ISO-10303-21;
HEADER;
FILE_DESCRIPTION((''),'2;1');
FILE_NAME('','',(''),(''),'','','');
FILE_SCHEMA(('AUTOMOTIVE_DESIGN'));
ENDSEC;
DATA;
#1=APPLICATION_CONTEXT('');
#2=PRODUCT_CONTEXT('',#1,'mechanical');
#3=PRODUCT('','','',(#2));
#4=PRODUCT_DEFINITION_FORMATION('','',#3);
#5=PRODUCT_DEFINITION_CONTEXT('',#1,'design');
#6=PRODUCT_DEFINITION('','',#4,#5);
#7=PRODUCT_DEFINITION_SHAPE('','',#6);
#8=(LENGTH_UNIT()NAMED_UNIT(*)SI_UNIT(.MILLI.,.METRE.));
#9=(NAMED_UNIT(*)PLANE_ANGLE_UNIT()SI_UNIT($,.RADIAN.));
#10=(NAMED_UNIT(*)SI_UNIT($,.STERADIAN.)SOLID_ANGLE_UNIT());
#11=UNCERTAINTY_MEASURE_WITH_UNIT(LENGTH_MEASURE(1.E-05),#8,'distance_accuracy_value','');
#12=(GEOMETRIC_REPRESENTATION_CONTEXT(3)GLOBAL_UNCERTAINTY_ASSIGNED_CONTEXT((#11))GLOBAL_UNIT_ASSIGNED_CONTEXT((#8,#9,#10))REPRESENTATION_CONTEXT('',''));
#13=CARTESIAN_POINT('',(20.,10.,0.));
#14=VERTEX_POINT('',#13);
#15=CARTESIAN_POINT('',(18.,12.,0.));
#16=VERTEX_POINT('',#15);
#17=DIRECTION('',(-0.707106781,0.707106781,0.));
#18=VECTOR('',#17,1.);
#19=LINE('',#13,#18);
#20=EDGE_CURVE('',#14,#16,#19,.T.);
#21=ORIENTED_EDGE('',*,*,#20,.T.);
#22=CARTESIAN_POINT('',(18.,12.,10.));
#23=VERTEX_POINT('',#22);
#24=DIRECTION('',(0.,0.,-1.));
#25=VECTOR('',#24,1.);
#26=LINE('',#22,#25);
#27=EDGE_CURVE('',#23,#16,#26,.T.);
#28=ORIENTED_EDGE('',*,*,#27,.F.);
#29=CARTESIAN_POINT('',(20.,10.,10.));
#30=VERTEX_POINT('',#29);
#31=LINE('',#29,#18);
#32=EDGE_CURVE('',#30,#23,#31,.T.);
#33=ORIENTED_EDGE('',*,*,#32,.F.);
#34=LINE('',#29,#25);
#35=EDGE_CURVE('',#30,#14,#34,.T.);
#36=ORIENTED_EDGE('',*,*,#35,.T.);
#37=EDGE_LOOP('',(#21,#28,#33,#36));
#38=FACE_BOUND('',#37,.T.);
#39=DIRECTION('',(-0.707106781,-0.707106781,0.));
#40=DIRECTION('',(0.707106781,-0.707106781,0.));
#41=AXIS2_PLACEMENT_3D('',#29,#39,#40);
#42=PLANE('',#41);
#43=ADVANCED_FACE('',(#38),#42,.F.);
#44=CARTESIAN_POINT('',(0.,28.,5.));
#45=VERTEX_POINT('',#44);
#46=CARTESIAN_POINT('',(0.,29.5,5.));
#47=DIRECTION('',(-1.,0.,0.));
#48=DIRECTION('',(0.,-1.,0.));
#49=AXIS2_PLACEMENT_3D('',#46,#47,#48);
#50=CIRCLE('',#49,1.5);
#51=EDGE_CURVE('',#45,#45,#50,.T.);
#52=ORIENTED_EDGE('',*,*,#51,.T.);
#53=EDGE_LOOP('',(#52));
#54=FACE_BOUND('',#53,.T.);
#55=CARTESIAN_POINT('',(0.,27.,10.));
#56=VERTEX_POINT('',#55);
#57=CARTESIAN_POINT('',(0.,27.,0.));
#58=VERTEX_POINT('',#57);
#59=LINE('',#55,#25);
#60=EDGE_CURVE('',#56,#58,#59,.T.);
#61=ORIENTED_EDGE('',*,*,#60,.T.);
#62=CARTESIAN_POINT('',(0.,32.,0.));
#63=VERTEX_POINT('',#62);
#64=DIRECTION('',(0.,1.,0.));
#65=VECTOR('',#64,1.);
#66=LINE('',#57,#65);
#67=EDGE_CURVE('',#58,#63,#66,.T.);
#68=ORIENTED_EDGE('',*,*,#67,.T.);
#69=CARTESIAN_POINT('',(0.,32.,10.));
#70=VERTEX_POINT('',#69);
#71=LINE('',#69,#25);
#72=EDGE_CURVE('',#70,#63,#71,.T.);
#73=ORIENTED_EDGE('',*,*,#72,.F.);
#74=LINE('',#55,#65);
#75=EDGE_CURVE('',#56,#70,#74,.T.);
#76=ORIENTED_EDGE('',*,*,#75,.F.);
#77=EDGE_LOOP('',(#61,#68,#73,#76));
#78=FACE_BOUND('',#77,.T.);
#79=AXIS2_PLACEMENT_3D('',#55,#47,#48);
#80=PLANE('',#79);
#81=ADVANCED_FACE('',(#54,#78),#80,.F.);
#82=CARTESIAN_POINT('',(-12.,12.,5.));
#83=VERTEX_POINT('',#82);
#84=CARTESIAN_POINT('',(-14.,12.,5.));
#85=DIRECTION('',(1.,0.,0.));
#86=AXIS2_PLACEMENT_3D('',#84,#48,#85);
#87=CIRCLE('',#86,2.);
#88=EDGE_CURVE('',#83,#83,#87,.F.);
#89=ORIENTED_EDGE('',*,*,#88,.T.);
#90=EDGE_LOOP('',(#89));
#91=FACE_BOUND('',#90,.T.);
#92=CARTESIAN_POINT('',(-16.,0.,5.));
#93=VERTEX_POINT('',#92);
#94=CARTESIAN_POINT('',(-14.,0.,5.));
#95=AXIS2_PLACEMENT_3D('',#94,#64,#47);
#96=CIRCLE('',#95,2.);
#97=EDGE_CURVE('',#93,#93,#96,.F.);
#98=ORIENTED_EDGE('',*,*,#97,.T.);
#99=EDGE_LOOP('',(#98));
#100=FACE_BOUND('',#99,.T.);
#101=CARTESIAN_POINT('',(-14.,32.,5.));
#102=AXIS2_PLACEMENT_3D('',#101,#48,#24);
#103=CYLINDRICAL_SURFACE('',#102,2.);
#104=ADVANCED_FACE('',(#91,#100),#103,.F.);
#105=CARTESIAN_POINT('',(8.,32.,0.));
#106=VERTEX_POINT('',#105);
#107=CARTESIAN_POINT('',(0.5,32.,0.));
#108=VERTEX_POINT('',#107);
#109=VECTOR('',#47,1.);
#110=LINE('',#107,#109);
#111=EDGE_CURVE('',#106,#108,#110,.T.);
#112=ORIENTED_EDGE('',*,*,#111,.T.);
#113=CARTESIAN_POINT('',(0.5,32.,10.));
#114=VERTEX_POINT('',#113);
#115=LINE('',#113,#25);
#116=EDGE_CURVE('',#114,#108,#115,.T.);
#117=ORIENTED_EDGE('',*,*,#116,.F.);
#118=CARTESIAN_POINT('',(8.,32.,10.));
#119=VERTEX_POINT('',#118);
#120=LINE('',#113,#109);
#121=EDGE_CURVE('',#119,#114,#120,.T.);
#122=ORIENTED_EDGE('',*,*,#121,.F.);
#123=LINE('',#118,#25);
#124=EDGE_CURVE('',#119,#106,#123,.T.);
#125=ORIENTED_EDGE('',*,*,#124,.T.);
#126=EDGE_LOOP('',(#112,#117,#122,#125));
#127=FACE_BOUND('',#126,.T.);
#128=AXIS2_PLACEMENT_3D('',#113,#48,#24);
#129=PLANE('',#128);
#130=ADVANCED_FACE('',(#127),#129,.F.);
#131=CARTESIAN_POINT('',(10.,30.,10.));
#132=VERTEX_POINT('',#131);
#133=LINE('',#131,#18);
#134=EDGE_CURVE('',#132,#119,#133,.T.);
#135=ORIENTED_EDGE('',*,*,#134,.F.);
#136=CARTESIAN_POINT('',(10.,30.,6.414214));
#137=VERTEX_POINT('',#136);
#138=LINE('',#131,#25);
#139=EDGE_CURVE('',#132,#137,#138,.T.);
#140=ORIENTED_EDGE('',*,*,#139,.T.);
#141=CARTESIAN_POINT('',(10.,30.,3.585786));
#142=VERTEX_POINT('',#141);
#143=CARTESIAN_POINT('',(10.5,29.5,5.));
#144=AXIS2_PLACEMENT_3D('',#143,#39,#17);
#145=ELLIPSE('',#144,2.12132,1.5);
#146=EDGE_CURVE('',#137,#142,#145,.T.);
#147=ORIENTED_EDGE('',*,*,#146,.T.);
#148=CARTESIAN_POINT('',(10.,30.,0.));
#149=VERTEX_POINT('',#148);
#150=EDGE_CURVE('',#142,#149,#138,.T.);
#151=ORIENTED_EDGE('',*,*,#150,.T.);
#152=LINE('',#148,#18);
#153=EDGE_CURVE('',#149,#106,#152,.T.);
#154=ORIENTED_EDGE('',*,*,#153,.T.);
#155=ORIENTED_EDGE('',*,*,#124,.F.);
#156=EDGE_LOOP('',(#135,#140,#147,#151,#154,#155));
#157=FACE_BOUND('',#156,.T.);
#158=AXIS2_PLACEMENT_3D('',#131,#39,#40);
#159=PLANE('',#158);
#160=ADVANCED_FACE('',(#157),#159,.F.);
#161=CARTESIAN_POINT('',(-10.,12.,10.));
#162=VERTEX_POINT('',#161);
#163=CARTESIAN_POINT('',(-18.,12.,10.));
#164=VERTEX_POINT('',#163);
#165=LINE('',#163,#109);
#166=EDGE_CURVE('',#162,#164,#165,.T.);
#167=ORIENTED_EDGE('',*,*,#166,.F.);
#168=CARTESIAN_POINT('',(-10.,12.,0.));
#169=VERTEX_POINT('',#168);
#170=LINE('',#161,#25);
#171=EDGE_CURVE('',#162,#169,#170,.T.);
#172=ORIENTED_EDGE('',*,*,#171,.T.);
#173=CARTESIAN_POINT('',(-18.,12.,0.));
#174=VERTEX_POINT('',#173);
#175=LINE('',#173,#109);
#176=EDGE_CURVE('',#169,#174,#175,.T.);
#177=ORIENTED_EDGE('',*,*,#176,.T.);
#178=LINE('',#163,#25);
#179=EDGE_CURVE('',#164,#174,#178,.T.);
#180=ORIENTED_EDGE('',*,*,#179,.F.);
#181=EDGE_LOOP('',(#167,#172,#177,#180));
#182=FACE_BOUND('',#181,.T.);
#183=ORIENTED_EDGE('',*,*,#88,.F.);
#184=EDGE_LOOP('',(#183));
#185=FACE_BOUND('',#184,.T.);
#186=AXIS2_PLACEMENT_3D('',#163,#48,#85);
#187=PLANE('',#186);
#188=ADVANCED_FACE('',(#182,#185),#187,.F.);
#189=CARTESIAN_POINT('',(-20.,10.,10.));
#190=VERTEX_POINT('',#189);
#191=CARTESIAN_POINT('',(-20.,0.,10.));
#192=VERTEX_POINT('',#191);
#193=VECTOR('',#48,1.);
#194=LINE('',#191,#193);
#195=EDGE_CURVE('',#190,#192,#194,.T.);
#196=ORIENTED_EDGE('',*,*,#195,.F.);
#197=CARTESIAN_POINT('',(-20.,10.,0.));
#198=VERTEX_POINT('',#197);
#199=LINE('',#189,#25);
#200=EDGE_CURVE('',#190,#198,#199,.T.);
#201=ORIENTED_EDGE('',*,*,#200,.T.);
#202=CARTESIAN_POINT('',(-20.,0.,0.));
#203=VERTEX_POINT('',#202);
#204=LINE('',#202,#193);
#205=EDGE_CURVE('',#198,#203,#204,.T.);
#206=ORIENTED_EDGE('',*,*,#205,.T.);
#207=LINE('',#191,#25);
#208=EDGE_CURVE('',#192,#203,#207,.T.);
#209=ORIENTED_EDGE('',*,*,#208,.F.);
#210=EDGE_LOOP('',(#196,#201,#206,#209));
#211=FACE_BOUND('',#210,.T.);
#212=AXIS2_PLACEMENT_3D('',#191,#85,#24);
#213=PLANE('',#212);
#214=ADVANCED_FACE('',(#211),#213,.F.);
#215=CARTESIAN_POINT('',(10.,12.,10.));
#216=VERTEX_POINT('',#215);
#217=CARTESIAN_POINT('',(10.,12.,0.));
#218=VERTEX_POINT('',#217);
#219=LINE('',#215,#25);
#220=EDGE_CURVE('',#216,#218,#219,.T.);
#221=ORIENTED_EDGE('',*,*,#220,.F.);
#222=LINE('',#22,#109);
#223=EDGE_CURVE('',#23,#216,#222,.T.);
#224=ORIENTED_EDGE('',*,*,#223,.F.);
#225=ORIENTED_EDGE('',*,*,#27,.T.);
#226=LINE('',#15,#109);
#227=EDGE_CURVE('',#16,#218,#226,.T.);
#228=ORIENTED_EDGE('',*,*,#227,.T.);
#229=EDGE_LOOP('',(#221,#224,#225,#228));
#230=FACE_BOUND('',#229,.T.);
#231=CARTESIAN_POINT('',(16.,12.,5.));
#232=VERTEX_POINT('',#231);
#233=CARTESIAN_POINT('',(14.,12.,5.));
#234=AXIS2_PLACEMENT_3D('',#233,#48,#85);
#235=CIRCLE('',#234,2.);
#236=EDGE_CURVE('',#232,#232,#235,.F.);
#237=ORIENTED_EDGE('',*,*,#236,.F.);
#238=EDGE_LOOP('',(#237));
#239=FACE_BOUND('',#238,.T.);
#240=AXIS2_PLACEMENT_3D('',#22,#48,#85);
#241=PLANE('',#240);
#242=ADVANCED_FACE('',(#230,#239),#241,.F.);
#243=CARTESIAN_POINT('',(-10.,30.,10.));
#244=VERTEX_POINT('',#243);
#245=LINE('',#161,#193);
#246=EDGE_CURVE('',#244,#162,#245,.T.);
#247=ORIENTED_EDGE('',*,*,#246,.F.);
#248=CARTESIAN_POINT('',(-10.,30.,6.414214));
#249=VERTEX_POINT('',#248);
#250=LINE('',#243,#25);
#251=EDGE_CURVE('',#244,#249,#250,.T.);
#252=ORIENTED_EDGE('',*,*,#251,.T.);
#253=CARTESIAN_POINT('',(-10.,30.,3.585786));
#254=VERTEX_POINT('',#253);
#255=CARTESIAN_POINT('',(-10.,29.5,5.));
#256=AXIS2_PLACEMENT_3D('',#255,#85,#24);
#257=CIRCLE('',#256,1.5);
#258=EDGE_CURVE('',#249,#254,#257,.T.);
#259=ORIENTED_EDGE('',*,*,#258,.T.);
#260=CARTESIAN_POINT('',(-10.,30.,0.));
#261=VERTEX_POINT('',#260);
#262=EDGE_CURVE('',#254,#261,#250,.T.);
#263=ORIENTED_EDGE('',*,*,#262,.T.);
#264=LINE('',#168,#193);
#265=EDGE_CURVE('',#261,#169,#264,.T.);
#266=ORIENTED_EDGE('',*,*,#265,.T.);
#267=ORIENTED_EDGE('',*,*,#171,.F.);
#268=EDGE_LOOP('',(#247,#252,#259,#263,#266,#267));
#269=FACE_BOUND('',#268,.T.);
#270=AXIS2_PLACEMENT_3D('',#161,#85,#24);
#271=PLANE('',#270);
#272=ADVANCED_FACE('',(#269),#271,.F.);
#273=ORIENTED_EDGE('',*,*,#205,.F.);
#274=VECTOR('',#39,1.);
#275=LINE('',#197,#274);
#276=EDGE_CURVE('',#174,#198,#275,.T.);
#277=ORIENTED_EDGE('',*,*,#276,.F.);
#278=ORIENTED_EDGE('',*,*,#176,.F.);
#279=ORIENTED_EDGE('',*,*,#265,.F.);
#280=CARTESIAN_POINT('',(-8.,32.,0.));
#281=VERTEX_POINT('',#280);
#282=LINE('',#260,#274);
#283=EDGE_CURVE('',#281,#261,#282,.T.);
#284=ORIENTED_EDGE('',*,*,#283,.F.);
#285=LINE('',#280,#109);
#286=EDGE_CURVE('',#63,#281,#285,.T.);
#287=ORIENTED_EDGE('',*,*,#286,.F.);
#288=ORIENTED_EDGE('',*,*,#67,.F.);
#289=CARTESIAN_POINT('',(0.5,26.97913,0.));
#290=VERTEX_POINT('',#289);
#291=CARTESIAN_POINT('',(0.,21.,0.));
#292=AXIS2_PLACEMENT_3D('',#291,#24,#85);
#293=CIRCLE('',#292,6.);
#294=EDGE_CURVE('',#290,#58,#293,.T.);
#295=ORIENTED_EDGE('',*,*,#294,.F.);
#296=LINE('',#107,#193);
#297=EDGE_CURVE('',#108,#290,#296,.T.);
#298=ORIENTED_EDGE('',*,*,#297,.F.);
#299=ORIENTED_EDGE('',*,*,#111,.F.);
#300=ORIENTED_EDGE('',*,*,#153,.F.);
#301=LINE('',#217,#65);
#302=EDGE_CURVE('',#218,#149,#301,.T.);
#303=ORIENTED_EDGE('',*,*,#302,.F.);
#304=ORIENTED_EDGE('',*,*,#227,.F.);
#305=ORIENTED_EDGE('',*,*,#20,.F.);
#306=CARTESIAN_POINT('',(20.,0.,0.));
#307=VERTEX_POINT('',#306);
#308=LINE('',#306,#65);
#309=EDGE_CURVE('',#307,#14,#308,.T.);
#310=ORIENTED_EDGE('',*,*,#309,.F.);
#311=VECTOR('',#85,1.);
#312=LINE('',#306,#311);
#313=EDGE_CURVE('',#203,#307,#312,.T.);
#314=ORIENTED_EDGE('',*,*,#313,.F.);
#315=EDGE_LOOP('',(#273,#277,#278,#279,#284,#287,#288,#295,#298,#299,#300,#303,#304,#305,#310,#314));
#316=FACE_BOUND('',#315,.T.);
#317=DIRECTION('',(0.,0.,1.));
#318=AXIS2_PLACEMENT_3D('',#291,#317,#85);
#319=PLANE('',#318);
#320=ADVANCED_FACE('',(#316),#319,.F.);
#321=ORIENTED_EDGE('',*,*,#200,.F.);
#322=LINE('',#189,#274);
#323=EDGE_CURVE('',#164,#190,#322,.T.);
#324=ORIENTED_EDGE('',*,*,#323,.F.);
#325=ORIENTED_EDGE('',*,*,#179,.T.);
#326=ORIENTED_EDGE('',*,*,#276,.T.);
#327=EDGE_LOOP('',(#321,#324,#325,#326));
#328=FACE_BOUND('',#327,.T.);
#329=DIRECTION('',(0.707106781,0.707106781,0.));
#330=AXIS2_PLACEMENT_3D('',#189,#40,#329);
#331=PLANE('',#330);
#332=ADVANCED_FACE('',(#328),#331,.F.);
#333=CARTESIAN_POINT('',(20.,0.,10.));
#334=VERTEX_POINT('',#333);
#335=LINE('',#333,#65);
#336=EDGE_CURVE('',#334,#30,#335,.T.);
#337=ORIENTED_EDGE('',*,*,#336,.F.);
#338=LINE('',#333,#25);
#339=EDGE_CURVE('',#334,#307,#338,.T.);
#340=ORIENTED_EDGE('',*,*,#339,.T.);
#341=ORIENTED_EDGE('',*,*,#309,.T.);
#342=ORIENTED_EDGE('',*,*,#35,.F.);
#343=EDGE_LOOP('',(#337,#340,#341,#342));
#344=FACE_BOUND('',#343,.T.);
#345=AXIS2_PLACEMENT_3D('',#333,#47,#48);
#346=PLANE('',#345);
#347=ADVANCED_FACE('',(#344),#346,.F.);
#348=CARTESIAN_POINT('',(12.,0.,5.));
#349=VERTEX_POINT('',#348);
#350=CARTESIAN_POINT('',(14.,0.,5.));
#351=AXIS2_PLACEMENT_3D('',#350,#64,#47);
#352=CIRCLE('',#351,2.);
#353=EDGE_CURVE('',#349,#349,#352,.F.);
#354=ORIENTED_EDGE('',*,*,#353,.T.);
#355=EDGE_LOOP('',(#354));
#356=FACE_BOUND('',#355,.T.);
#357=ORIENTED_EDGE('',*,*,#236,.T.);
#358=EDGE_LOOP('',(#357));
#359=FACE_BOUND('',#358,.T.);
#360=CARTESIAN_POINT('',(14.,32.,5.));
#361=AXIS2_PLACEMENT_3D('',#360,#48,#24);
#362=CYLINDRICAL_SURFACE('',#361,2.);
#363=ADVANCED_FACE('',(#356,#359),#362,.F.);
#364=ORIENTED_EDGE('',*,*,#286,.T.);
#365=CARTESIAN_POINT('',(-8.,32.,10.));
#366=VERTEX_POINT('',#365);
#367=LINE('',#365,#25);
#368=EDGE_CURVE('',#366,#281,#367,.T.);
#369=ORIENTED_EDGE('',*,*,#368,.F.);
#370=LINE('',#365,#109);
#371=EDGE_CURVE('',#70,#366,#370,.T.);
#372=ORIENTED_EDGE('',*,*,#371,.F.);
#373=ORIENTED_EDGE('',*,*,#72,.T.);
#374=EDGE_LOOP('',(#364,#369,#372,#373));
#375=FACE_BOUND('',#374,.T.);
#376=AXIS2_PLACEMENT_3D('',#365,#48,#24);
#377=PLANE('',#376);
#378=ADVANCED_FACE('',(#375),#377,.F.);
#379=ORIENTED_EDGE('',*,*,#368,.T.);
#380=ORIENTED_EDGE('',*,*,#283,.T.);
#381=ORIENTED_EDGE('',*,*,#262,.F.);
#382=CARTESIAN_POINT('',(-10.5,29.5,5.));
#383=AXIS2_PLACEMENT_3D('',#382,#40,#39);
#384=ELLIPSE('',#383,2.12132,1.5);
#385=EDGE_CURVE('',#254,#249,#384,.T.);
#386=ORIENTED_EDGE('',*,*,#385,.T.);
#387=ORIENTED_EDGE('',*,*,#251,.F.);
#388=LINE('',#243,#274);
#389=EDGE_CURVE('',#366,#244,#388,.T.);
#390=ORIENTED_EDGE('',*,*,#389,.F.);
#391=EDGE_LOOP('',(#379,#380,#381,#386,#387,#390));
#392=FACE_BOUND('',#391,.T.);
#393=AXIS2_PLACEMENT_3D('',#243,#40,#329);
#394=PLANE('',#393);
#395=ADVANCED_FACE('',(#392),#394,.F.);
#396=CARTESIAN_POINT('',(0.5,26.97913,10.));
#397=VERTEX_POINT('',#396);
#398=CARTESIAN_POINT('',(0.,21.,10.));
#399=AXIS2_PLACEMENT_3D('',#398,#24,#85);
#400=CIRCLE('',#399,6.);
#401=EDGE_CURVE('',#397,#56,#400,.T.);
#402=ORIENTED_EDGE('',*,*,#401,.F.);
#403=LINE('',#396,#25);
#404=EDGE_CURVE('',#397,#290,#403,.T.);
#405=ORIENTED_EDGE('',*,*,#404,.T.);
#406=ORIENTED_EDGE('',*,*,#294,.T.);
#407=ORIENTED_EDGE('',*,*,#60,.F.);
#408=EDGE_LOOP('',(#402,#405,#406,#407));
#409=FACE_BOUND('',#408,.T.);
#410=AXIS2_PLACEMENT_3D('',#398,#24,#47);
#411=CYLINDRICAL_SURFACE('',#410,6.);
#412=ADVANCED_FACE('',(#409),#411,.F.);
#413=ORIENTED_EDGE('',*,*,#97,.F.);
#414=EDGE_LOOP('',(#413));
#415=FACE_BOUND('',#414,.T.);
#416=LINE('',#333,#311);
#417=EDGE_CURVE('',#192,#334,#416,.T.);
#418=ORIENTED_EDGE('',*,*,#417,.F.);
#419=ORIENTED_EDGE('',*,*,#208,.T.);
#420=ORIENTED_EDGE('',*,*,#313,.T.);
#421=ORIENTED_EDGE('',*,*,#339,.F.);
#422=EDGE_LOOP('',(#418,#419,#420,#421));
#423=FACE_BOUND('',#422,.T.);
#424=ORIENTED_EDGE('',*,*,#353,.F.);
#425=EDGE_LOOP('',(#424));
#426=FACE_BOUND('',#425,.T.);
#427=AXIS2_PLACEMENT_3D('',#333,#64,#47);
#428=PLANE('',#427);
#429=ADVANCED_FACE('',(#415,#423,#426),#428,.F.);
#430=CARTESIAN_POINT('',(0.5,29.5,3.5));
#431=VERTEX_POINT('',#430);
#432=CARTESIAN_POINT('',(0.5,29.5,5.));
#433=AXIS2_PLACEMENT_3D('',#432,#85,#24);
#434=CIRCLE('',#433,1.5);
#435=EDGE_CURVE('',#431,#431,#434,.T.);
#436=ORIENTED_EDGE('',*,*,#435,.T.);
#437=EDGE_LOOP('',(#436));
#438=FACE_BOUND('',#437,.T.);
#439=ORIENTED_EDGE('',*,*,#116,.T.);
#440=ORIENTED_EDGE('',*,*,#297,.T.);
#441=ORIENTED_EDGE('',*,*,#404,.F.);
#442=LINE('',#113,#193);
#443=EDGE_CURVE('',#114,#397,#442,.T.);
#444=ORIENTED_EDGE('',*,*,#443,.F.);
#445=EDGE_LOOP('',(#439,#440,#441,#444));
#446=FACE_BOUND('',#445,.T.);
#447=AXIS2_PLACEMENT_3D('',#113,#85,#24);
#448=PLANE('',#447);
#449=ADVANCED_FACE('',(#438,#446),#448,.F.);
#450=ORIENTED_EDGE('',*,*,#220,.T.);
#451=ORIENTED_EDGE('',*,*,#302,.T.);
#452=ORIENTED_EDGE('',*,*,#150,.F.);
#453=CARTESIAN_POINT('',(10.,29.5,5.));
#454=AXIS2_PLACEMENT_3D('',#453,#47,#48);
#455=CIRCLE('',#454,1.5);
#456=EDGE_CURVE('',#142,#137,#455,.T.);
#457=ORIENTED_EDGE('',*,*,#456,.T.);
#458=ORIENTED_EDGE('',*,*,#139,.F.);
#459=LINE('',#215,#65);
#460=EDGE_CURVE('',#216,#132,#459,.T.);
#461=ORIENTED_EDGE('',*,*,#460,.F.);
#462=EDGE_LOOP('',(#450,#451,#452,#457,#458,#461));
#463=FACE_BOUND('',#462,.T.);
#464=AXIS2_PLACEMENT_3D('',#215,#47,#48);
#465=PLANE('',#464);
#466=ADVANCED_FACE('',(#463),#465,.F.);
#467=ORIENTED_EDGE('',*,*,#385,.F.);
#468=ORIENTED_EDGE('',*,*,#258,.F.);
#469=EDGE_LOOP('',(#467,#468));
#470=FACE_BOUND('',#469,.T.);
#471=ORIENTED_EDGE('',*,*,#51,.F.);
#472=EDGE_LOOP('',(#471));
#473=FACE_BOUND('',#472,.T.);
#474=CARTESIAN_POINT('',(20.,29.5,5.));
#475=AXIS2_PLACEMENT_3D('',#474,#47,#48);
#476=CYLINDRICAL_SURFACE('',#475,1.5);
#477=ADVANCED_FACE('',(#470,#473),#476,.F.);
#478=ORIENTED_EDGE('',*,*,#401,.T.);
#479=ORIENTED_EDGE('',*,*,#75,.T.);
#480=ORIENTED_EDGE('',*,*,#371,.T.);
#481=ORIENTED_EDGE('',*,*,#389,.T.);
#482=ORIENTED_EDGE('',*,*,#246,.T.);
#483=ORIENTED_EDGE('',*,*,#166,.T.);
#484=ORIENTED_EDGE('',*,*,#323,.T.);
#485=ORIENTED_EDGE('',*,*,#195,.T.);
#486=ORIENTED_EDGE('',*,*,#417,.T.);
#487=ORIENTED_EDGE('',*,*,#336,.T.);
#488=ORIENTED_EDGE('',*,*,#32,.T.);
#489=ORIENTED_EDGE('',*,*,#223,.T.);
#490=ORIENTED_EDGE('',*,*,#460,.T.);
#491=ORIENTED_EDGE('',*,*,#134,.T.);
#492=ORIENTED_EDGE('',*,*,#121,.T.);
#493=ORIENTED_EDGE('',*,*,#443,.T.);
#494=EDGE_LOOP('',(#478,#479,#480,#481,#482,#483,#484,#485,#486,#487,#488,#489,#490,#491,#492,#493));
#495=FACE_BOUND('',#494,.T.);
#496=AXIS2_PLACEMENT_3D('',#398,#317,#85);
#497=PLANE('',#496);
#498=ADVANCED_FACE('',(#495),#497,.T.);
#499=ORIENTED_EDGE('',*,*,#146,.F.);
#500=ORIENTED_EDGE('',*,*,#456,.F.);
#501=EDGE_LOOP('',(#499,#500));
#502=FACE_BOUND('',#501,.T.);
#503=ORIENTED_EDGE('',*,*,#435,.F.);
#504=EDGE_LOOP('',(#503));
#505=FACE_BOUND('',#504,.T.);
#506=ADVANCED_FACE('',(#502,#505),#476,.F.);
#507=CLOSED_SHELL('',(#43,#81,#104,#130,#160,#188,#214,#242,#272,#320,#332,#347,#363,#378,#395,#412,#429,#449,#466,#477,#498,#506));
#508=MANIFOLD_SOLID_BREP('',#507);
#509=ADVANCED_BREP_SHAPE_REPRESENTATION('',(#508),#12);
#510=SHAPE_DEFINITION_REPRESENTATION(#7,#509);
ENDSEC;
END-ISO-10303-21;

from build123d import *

# Parameters (mm, degrees)
BOSS_EXTRUDE1_DEPTH            = 10
CUT_EXTRUDE1_DEPTH             = 45.988887517
CUT_EXTRUDE1_DEPTH_BACK        = 45.988887517
SKETCH2_R                      = 1.5
CUT_EXTRUDE2_REACH             = 32
SKETCH3_R                      = 2
CUT_EXTRUDE2_DIRECTION_2_DEPTH = 31


with BuildPart() as part:
    # Sketch1 → Boss-Extrude1 (new body)
    with BuildSketch(Plane.XY):
        with BuildLine():
            Line((20, 0), (-20, 0))
            Line((-20, 0), (-20, 10))
            Line((-20, 10), (-18, 12))
            Line((-18, 12), (-10, 12))
            Line((-10, 12), (-10, 30))
            Line((-10, 30), (-8, 32))
            Line((-8, 32), (0, 32))
            Line((0, 32), (0, 27))
            ThreePointArc((0, 27), (-0.250217676, 15.005219678), (0.5, 26.979130372))
            Line((0.5, 26.979130372), (0.5, 32))
            Line((0.5, 32), (8, 32))
            Line((8, 32), (10, 30))
            Line((10, 30), (10, 12))
            Line((10, 12), (18, 12))
            Line((18, 12), (20, 10))
            Line((20, 10), (20, 0))
        make_face()
    extrude(amount=BOSS_EXTRUDE1_DEPTH)

    # Sketch2 → Cut-Extrude1 (cut, two sides: drawn at the far end of the back side and taken through both)
    with BuildSketch(Plane.ZY.offset(10).offset(-CUT_EXTRUDE1_DEPTH_BACK)):
        with Locations(Location((5, 29.5, 0), (0, 0, 270))):
            Circle(SKETCH2_R)
    extrude(amount=CUT_EXTRUDE1_DEPTH + CUT_EXTRUDE1_DEPTH_BACK, mode=Mode.SUBTRACT)

    # Sketch3 → Cut-Extrude2 (cut, up to next)
    with BuildSketch(Plane(origin=(0, 12, 0), x_dir=(1, 0, 0), z_dir=(0, 1, 0)), mode=Mode.PRIVATE) as cut_extrude2_sk1:
        with Locations(Location((14, -5, 0), (0, 0, 180))):
            Circle(SKETCH3_R)
    cut_extrude2_tool1 = extrude(cut_extrude2_sk1.sketch, amount=-CUT_EXTRUDE2_REACH, mode=Mode.PRIVATE) & part.part
    # Sketch3 → Cut-Extrude2 (cut, up to next)
    with BuildSketch(Plane(origin=(0, 12, 0), x_dir=(1, 0, 0), z_dir=(0, 1, 0)), mode=Mode.PRIVATE) as cut_extrude2_sk2:
        with Locations(Location((-14, -5, 0), (0, 0, 180))):
            Circle(SKETCH3_R)
    cut_extrude2_tool2 = extrude(cut_extrude2_sk2.sketch, amount=-CUT_EXTRUDE2_REACH, mode=Mode.PRIVATE) & part.part
    add(cut_extrude2_tool1.solids().sort_by_distance((14, 12, 5))[0], mode=Mode.SUBTRACT)
    add(cut_extrude2_tool2.solids().sort_by_distance((-14, 12, 5))[0], mode=Mode.SUBTRACT)

    # Sketch3 → Cut-Extrude2 direction 2 (cut)
    with BuildSketch(Plane(origin=(0, 12, 0), x_dir=(1, 0, 0), z_dir=(0, 1, 0))):
        with Locations(Location((14, -5, 0), (0, 0, 180))):
            Circle(SKETCH3_R)
        with Locations(Location((-14, -5, 0), (0, 0, 180))):
            Circle(SKETCH3_R)
    extrude(amount=CUT_EXTRUDE2_DIRECTION_2_DEPTH, mode=Mode.SUBTRACT)


solid = part.part
